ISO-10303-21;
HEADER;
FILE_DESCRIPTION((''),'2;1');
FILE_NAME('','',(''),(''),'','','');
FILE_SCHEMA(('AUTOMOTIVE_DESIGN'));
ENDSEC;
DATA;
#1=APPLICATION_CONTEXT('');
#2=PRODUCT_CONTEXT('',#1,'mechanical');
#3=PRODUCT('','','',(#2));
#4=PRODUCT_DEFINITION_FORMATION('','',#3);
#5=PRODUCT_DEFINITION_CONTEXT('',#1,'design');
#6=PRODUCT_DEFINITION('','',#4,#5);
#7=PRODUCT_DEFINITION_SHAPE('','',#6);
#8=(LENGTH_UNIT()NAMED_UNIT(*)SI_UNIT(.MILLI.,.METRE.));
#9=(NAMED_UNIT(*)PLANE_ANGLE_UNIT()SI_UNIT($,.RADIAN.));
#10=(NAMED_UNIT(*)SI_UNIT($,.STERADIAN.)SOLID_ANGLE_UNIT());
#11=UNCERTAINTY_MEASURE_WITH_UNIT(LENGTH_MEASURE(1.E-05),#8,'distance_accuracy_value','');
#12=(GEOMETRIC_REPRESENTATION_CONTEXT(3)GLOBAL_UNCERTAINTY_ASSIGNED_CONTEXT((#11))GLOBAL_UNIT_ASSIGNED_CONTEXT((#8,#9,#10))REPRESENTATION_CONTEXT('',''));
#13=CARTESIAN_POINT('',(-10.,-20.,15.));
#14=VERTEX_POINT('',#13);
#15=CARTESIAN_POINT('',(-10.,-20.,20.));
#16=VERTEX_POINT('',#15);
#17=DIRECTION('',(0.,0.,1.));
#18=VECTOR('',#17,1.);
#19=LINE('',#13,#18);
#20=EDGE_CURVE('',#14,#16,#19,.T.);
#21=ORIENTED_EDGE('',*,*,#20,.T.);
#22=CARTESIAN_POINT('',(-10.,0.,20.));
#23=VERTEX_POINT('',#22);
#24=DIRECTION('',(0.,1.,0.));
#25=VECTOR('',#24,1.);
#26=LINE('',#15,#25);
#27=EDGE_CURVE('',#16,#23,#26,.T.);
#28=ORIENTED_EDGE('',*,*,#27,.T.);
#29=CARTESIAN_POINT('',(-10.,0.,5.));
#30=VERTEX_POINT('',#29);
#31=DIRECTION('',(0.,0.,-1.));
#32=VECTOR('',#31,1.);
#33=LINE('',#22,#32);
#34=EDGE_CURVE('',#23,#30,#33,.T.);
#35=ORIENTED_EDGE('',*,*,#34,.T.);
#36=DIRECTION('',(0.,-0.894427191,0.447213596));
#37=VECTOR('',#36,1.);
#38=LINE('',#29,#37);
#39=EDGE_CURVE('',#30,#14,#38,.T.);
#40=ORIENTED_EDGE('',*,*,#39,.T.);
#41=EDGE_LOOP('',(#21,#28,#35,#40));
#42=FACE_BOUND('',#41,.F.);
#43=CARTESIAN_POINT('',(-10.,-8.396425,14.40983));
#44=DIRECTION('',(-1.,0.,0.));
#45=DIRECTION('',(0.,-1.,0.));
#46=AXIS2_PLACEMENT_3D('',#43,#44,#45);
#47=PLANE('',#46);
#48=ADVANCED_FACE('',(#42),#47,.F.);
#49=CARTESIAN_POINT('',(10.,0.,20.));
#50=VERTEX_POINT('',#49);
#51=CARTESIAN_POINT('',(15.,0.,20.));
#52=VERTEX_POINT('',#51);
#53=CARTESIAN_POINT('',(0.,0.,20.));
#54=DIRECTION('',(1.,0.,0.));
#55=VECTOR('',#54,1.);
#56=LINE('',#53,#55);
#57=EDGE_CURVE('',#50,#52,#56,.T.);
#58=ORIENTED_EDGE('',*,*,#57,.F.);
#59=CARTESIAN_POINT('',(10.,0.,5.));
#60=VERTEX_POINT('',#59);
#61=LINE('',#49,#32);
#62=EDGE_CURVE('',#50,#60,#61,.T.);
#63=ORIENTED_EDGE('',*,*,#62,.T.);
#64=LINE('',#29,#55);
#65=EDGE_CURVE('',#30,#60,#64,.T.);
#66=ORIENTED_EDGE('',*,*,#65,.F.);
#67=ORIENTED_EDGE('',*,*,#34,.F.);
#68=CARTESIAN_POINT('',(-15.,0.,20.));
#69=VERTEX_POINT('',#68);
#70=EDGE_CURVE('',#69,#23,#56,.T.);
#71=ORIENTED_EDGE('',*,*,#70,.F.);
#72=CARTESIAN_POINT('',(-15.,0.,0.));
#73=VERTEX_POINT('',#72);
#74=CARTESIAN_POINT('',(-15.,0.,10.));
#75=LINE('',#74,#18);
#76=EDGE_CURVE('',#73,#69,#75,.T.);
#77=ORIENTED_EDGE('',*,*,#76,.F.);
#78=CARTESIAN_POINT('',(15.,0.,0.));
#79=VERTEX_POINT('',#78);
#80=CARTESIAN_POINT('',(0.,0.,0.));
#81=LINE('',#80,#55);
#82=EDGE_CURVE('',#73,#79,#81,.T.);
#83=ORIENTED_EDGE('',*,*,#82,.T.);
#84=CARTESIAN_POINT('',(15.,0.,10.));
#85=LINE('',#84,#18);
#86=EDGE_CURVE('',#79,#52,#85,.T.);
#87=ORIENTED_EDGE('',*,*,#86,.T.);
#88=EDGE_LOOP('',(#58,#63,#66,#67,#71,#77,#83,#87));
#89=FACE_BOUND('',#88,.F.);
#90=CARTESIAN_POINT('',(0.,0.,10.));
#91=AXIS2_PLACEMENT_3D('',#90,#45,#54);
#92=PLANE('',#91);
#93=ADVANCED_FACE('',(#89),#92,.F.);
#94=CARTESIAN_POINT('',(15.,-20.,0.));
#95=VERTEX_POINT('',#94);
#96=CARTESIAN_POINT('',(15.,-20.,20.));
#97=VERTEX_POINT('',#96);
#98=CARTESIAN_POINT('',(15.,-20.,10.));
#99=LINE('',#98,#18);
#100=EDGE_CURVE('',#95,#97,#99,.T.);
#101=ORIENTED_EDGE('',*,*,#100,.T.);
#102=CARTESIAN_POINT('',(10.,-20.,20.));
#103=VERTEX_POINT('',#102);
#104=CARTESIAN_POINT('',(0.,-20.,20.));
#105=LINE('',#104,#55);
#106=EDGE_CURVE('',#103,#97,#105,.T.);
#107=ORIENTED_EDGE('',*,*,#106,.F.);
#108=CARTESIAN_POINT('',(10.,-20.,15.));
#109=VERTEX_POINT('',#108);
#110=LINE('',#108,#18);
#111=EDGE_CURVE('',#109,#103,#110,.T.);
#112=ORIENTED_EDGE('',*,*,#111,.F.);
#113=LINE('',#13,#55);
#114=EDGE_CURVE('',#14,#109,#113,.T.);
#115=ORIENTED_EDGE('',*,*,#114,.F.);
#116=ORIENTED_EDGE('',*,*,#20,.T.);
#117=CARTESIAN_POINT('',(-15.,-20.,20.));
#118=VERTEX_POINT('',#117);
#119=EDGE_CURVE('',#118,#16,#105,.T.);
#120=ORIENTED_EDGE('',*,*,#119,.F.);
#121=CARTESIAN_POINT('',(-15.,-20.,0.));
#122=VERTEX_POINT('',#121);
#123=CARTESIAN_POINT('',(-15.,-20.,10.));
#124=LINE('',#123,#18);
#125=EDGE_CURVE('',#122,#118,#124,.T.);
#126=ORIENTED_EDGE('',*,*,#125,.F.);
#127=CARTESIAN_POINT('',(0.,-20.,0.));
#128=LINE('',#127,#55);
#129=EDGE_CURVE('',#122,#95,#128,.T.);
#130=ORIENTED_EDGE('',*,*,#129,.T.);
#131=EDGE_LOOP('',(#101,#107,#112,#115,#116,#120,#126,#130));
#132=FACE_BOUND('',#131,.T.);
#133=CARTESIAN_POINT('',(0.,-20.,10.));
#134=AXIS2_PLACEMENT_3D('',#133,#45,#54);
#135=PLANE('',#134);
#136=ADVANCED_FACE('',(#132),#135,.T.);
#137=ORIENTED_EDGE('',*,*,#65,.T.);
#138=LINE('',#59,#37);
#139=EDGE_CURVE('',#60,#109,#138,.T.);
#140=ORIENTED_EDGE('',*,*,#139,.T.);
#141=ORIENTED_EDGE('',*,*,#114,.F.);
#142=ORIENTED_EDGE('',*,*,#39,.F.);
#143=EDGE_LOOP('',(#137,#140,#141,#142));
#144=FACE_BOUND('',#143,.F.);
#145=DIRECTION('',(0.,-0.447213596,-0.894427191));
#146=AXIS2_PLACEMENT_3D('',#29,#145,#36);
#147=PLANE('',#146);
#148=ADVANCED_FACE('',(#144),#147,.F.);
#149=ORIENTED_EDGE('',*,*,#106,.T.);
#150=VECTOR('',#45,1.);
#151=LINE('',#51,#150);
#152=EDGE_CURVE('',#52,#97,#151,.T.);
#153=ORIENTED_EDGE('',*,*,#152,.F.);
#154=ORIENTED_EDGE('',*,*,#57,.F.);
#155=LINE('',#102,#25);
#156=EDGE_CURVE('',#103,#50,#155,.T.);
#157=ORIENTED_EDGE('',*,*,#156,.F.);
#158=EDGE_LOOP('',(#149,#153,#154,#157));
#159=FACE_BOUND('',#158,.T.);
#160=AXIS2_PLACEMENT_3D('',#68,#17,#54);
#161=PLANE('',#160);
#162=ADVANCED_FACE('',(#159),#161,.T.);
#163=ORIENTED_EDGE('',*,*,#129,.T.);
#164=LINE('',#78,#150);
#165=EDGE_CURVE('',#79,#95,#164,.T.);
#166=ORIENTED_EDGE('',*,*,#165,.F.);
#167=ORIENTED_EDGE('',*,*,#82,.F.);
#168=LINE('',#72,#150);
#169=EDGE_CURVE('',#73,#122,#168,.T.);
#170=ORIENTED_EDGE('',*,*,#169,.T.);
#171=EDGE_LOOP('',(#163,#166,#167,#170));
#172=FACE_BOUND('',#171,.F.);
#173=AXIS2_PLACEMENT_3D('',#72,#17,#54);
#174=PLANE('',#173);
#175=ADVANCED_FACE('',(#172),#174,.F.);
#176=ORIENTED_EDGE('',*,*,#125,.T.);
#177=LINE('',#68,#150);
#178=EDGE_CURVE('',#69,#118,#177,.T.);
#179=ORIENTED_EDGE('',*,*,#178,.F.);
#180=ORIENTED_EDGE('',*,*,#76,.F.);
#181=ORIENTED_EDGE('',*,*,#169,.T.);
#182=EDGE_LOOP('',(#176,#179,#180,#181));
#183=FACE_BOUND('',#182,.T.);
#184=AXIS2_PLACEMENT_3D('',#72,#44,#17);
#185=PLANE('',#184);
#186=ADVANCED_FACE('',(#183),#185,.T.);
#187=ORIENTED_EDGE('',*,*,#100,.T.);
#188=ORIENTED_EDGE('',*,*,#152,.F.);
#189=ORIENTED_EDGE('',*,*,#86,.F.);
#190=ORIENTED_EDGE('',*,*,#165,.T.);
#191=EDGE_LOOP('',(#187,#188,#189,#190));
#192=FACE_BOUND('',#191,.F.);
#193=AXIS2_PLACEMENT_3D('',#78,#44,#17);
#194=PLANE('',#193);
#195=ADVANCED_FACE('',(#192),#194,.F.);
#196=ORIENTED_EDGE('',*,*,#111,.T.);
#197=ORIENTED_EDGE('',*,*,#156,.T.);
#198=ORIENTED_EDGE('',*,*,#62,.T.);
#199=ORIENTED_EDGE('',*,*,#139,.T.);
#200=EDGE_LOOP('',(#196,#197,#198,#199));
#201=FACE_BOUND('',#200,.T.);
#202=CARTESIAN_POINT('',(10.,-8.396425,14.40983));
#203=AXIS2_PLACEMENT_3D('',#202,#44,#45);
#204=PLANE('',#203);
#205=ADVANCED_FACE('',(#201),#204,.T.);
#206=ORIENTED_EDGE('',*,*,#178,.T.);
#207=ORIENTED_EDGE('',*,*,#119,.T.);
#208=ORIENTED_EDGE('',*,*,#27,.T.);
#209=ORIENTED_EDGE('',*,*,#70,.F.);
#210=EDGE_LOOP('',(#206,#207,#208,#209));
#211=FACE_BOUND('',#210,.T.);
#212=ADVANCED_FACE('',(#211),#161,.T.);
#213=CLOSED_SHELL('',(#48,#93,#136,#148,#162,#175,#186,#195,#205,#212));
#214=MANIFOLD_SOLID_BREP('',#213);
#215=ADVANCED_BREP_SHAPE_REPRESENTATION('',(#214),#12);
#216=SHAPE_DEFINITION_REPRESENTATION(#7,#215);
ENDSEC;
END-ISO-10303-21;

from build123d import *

# Parameters (mm, degrees)
F0_W     = 30
F0_H     = 20
F1_DEPTH = 20
F3_START = -5
F3_DEPTH = 20


with BuildPart() as f1:
    # F0 (on Front) → F1 (new body)
    with BuildSketch(Plane.XZ):
        with Locations((0, 10)):
            Rectangle(F0_W, F0_H)
    extrude(amount=F1_DEPTH)

    # F2 (on face) → F3 (cut)
    with BuildSketch(Plane(origin=(-15, 0, 0), x_dir=(0, -1, 0), z_dir=(-1, 0, 0)).offset(F3_START)):
        Polygon((0, 5), (20, 15), (20, 20), (0, 20), align=None)
    extrude(amount=-F3_DEPTH, mode=Mode.SUBTRACT)


solid = f1.part
